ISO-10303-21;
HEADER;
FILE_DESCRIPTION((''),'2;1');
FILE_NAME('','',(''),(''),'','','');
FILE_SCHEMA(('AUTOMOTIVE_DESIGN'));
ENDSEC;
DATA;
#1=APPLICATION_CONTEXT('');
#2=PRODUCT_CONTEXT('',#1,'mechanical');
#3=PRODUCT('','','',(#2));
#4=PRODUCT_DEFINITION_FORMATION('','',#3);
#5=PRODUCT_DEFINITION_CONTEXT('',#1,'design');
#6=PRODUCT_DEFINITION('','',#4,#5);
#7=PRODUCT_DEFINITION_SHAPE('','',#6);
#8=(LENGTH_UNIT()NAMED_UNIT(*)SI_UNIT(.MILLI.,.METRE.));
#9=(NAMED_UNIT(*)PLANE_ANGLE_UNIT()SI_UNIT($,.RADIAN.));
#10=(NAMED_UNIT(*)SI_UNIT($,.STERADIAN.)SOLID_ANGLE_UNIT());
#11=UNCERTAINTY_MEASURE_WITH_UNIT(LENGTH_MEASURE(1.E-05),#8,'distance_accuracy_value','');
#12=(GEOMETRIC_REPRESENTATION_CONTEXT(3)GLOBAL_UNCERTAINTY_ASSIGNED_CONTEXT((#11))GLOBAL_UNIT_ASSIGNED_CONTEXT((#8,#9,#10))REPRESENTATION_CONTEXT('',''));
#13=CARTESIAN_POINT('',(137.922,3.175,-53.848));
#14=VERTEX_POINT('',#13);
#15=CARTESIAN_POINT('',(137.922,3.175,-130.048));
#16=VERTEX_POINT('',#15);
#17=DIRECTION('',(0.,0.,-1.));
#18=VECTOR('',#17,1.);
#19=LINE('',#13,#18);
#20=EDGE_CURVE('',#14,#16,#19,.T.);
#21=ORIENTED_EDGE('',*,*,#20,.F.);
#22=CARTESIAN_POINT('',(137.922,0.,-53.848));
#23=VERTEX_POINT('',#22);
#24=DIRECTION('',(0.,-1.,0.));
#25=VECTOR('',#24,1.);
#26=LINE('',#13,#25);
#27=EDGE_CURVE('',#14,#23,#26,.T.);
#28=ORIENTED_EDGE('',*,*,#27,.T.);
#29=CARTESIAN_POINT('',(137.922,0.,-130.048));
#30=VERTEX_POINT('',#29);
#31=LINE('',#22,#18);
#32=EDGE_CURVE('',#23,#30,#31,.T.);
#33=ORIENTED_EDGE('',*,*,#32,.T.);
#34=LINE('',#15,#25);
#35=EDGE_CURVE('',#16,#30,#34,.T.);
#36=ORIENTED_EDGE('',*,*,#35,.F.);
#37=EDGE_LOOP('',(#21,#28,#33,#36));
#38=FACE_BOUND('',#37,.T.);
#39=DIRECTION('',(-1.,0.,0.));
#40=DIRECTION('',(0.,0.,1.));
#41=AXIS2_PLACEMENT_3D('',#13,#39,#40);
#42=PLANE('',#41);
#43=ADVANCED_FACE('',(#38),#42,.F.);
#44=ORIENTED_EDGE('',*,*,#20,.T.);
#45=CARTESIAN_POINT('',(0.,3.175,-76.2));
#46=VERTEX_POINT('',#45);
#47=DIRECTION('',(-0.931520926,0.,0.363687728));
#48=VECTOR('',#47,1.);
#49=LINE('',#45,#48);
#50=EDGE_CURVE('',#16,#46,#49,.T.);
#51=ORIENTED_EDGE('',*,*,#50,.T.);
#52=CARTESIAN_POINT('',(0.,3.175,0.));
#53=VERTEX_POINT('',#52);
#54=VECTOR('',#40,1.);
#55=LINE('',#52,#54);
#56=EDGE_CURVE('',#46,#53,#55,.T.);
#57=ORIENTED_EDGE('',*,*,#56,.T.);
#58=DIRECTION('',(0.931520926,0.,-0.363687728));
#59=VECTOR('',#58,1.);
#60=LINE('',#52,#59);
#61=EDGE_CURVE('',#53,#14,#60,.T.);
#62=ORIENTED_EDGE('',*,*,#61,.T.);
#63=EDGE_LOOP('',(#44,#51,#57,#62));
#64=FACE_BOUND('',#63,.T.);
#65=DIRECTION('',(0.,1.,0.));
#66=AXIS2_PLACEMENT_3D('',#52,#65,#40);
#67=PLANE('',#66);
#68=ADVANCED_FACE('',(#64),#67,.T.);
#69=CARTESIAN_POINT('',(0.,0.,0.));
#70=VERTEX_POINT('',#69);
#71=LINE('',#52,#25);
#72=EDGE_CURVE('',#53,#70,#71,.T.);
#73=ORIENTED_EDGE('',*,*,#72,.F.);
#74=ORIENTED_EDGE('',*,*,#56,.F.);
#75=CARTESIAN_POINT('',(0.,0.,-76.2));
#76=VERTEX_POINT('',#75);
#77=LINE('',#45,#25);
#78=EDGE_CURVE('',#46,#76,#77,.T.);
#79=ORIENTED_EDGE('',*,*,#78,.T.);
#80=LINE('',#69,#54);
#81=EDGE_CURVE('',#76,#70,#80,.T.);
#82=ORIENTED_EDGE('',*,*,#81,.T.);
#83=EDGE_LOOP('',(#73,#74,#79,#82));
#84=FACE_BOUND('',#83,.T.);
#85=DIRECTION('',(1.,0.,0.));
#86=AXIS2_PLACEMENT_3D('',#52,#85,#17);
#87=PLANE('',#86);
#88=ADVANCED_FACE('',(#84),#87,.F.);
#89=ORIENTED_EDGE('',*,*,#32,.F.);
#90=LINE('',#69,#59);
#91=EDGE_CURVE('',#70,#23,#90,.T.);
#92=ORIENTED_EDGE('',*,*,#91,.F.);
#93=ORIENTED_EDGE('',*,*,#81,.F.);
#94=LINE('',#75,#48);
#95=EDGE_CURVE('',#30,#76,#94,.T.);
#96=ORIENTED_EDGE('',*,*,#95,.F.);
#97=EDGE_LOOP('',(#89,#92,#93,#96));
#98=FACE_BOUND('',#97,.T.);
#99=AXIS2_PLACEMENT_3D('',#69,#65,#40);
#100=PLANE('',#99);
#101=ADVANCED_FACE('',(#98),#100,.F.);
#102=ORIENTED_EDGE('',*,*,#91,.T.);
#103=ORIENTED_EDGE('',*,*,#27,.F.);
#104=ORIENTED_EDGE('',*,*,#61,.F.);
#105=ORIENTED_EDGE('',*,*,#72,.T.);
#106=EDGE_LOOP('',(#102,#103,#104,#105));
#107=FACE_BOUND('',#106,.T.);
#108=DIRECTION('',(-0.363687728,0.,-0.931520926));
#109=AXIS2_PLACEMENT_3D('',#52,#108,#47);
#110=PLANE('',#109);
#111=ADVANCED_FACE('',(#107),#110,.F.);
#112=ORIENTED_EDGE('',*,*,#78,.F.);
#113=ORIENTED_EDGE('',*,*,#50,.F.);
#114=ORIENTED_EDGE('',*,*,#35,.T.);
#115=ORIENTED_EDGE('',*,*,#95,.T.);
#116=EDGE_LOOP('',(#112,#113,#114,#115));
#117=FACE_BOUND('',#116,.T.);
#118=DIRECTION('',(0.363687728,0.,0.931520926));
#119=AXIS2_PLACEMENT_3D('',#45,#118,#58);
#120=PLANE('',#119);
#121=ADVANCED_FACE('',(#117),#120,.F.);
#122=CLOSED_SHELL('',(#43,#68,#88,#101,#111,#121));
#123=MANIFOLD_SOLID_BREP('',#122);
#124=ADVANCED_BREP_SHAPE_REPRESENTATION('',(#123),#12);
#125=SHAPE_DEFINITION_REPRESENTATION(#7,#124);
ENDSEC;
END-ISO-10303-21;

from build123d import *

# Parameters (mm, degrees)
BOSS_EXTRUDE1_DEPTH = 3.175


with BuildPart() as part:
    # Sketch1 → Boss-Extrude1 (new body)
    with BuildSketch(Plane(origin=(0, 0, 0), x_dir=(1, 0, 0), z_dir=(0, 1, 0))):
        Polygon((0, 0), (0, 76.2), (137.922, 130.048), (137.922, 53.848), align=None)
    extrude(amount=BOSS_EXTRUDE1_DEPTH)


solid = part.part
